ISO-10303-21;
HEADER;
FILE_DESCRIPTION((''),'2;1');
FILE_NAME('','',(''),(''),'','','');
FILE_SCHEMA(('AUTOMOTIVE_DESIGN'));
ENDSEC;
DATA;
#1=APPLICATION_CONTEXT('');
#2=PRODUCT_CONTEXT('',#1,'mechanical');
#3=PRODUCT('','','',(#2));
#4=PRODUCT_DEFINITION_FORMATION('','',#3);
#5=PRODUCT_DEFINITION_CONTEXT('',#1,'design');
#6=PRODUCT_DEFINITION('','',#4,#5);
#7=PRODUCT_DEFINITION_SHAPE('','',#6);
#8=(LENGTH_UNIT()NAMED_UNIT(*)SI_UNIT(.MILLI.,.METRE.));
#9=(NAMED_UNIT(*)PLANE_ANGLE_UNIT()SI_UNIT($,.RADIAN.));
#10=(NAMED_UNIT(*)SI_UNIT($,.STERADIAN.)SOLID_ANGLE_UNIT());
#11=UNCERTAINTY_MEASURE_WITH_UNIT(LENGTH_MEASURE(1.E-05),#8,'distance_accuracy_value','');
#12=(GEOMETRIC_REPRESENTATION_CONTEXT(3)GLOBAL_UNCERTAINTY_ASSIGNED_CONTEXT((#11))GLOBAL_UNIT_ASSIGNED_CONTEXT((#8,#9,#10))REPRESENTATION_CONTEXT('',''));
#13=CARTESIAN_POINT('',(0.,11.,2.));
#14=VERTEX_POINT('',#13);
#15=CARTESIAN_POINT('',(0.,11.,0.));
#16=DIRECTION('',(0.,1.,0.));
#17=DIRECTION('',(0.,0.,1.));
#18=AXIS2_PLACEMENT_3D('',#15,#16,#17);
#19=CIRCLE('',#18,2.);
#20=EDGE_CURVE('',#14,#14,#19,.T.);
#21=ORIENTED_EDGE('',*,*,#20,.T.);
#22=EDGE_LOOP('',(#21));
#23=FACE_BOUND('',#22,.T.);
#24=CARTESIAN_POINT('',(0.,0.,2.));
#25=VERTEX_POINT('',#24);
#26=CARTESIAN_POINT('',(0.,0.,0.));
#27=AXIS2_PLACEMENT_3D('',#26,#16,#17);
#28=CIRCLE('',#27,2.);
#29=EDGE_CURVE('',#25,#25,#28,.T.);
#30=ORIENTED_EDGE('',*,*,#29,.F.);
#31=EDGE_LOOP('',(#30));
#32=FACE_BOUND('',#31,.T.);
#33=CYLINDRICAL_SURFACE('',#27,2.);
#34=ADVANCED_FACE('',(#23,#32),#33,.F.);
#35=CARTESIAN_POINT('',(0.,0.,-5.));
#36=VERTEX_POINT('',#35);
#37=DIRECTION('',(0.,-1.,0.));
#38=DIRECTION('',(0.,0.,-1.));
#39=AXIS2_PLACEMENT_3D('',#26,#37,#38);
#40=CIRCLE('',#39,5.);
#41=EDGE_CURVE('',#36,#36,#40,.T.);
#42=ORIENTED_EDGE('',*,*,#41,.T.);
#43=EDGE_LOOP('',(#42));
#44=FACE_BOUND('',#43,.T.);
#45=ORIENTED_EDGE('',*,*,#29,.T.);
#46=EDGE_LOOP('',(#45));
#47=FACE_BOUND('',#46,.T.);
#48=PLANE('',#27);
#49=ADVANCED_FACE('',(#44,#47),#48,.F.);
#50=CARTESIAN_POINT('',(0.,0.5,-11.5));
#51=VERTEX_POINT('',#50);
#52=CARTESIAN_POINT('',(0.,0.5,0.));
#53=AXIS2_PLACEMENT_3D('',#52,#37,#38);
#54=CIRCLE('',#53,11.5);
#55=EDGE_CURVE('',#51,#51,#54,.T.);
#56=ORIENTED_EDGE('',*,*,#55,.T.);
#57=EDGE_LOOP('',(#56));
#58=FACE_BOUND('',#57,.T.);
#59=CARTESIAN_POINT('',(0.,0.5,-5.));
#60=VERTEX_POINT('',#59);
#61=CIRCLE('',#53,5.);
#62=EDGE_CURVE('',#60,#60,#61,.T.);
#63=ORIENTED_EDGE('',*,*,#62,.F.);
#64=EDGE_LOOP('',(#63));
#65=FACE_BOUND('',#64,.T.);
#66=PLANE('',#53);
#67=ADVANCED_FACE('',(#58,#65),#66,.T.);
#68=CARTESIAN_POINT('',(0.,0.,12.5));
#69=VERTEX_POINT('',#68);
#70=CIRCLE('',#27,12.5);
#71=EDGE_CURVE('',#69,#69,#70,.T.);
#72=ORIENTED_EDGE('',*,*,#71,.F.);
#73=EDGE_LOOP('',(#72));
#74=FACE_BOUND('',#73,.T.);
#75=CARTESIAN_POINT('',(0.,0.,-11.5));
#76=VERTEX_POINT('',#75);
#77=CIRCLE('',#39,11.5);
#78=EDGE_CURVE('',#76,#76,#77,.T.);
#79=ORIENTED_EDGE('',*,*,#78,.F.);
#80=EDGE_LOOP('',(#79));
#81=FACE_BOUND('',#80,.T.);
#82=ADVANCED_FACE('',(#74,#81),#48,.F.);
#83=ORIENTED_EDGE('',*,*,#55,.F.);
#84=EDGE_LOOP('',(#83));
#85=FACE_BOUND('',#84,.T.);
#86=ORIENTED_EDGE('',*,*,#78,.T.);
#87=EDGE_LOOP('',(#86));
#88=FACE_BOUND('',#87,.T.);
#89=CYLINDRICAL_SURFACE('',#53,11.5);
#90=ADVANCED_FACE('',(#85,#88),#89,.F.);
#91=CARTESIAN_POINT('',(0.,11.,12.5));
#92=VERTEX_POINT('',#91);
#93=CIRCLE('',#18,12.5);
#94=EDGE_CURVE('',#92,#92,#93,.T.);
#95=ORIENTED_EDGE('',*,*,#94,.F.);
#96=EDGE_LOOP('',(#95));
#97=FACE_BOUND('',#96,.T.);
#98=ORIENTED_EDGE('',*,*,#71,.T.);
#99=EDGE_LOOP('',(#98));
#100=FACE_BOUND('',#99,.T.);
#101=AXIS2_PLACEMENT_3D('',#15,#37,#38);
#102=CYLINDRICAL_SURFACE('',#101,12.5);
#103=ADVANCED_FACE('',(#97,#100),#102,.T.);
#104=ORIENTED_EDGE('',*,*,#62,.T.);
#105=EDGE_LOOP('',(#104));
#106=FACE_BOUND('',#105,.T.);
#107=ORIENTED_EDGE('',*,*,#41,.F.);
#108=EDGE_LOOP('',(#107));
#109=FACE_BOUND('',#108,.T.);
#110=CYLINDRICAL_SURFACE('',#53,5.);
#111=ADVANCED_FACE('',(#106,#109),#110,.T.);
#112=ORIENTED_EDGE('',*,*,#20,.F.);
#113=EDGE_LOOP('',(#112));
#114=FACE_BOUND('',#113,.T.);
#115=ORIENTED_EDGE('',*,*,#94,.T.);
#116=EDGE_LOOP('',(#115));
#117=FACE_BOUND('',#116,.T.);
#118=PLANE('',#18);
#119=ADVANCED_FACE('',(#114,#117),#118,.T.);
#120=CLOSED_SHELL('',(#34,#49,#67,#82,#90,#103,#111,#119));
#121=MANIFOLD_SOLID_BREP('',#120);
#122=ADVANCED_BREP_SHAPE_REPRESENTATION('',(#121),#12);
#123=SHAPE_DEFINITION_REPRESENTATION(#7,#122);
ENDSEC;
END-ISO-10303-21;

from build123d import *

# Parameters (mm, degrees)
SKETCH1_R               = 12.5
BOSS_EXTRUDE1_DEPTH     = 11
CUT_EXTRUDE1_DEPTH      = 21.820662814
CUT_EXTRUDE1_DEPTH_BACK = 21.820662814
SKETCH2_R               = 2
SKETCH3_R               = 11.5
SKETCH3_R_2             = 5
CUT_EXTRUDE2_DEPTH      = 0.5


with BuildPart() as part:
    # Sketch1 → Boss-Extrude1 (new body)
    with BuildSketch(Plane(origin=(0, 0, 0), x_dir=(1, 0, 0), z_dir=(0, 1, 0))):
        with Locations(Location((0, 0, 0), (0, 0, 270))):
            Circle(SKETCH1_R)
    extrude(amount=BOSS_EXTRUDE1_DEPTH)

    # Sketch2 → Cut-Extrude1 (cut, two sides: drawn at the far end of the back side and taken through both)
    with BuildSketch(Plane(origin=(0, 11, 0), x_dir=(1, 0, 0), z_dir=(0, 1, 0)).offset(-CUT_EXTRUDE1_DEPTH_BACK)):
        with Locations(Location((0, 0, 0), (0, 0, 270))):
            Circle(SKETCH2_R)
    extrude(amount=CUT_EXTRUDE1_DEPTH + CUT_EXTRUDE1_DEPTH_BACK, mode=Mode.SUBTRACT)

    # Sketch3 → Cut-Extrude2 (cut)
    with BuildSketch(Plane.XZ):
        with Locations(Location((0, 0, 0), (0, 0, 270))):
            Circle(SKETCH3_R)
        with Locations(Location((0, 0, 0), (0, 0, 270))):
            Circle(SKETCH3_R_2, mode=Mode.SUBTRACT)
    extrude(amount=-CUT_EXTRUDE2_DEPTH, mode=Mode.SUBTRACT)


solid = part.part
